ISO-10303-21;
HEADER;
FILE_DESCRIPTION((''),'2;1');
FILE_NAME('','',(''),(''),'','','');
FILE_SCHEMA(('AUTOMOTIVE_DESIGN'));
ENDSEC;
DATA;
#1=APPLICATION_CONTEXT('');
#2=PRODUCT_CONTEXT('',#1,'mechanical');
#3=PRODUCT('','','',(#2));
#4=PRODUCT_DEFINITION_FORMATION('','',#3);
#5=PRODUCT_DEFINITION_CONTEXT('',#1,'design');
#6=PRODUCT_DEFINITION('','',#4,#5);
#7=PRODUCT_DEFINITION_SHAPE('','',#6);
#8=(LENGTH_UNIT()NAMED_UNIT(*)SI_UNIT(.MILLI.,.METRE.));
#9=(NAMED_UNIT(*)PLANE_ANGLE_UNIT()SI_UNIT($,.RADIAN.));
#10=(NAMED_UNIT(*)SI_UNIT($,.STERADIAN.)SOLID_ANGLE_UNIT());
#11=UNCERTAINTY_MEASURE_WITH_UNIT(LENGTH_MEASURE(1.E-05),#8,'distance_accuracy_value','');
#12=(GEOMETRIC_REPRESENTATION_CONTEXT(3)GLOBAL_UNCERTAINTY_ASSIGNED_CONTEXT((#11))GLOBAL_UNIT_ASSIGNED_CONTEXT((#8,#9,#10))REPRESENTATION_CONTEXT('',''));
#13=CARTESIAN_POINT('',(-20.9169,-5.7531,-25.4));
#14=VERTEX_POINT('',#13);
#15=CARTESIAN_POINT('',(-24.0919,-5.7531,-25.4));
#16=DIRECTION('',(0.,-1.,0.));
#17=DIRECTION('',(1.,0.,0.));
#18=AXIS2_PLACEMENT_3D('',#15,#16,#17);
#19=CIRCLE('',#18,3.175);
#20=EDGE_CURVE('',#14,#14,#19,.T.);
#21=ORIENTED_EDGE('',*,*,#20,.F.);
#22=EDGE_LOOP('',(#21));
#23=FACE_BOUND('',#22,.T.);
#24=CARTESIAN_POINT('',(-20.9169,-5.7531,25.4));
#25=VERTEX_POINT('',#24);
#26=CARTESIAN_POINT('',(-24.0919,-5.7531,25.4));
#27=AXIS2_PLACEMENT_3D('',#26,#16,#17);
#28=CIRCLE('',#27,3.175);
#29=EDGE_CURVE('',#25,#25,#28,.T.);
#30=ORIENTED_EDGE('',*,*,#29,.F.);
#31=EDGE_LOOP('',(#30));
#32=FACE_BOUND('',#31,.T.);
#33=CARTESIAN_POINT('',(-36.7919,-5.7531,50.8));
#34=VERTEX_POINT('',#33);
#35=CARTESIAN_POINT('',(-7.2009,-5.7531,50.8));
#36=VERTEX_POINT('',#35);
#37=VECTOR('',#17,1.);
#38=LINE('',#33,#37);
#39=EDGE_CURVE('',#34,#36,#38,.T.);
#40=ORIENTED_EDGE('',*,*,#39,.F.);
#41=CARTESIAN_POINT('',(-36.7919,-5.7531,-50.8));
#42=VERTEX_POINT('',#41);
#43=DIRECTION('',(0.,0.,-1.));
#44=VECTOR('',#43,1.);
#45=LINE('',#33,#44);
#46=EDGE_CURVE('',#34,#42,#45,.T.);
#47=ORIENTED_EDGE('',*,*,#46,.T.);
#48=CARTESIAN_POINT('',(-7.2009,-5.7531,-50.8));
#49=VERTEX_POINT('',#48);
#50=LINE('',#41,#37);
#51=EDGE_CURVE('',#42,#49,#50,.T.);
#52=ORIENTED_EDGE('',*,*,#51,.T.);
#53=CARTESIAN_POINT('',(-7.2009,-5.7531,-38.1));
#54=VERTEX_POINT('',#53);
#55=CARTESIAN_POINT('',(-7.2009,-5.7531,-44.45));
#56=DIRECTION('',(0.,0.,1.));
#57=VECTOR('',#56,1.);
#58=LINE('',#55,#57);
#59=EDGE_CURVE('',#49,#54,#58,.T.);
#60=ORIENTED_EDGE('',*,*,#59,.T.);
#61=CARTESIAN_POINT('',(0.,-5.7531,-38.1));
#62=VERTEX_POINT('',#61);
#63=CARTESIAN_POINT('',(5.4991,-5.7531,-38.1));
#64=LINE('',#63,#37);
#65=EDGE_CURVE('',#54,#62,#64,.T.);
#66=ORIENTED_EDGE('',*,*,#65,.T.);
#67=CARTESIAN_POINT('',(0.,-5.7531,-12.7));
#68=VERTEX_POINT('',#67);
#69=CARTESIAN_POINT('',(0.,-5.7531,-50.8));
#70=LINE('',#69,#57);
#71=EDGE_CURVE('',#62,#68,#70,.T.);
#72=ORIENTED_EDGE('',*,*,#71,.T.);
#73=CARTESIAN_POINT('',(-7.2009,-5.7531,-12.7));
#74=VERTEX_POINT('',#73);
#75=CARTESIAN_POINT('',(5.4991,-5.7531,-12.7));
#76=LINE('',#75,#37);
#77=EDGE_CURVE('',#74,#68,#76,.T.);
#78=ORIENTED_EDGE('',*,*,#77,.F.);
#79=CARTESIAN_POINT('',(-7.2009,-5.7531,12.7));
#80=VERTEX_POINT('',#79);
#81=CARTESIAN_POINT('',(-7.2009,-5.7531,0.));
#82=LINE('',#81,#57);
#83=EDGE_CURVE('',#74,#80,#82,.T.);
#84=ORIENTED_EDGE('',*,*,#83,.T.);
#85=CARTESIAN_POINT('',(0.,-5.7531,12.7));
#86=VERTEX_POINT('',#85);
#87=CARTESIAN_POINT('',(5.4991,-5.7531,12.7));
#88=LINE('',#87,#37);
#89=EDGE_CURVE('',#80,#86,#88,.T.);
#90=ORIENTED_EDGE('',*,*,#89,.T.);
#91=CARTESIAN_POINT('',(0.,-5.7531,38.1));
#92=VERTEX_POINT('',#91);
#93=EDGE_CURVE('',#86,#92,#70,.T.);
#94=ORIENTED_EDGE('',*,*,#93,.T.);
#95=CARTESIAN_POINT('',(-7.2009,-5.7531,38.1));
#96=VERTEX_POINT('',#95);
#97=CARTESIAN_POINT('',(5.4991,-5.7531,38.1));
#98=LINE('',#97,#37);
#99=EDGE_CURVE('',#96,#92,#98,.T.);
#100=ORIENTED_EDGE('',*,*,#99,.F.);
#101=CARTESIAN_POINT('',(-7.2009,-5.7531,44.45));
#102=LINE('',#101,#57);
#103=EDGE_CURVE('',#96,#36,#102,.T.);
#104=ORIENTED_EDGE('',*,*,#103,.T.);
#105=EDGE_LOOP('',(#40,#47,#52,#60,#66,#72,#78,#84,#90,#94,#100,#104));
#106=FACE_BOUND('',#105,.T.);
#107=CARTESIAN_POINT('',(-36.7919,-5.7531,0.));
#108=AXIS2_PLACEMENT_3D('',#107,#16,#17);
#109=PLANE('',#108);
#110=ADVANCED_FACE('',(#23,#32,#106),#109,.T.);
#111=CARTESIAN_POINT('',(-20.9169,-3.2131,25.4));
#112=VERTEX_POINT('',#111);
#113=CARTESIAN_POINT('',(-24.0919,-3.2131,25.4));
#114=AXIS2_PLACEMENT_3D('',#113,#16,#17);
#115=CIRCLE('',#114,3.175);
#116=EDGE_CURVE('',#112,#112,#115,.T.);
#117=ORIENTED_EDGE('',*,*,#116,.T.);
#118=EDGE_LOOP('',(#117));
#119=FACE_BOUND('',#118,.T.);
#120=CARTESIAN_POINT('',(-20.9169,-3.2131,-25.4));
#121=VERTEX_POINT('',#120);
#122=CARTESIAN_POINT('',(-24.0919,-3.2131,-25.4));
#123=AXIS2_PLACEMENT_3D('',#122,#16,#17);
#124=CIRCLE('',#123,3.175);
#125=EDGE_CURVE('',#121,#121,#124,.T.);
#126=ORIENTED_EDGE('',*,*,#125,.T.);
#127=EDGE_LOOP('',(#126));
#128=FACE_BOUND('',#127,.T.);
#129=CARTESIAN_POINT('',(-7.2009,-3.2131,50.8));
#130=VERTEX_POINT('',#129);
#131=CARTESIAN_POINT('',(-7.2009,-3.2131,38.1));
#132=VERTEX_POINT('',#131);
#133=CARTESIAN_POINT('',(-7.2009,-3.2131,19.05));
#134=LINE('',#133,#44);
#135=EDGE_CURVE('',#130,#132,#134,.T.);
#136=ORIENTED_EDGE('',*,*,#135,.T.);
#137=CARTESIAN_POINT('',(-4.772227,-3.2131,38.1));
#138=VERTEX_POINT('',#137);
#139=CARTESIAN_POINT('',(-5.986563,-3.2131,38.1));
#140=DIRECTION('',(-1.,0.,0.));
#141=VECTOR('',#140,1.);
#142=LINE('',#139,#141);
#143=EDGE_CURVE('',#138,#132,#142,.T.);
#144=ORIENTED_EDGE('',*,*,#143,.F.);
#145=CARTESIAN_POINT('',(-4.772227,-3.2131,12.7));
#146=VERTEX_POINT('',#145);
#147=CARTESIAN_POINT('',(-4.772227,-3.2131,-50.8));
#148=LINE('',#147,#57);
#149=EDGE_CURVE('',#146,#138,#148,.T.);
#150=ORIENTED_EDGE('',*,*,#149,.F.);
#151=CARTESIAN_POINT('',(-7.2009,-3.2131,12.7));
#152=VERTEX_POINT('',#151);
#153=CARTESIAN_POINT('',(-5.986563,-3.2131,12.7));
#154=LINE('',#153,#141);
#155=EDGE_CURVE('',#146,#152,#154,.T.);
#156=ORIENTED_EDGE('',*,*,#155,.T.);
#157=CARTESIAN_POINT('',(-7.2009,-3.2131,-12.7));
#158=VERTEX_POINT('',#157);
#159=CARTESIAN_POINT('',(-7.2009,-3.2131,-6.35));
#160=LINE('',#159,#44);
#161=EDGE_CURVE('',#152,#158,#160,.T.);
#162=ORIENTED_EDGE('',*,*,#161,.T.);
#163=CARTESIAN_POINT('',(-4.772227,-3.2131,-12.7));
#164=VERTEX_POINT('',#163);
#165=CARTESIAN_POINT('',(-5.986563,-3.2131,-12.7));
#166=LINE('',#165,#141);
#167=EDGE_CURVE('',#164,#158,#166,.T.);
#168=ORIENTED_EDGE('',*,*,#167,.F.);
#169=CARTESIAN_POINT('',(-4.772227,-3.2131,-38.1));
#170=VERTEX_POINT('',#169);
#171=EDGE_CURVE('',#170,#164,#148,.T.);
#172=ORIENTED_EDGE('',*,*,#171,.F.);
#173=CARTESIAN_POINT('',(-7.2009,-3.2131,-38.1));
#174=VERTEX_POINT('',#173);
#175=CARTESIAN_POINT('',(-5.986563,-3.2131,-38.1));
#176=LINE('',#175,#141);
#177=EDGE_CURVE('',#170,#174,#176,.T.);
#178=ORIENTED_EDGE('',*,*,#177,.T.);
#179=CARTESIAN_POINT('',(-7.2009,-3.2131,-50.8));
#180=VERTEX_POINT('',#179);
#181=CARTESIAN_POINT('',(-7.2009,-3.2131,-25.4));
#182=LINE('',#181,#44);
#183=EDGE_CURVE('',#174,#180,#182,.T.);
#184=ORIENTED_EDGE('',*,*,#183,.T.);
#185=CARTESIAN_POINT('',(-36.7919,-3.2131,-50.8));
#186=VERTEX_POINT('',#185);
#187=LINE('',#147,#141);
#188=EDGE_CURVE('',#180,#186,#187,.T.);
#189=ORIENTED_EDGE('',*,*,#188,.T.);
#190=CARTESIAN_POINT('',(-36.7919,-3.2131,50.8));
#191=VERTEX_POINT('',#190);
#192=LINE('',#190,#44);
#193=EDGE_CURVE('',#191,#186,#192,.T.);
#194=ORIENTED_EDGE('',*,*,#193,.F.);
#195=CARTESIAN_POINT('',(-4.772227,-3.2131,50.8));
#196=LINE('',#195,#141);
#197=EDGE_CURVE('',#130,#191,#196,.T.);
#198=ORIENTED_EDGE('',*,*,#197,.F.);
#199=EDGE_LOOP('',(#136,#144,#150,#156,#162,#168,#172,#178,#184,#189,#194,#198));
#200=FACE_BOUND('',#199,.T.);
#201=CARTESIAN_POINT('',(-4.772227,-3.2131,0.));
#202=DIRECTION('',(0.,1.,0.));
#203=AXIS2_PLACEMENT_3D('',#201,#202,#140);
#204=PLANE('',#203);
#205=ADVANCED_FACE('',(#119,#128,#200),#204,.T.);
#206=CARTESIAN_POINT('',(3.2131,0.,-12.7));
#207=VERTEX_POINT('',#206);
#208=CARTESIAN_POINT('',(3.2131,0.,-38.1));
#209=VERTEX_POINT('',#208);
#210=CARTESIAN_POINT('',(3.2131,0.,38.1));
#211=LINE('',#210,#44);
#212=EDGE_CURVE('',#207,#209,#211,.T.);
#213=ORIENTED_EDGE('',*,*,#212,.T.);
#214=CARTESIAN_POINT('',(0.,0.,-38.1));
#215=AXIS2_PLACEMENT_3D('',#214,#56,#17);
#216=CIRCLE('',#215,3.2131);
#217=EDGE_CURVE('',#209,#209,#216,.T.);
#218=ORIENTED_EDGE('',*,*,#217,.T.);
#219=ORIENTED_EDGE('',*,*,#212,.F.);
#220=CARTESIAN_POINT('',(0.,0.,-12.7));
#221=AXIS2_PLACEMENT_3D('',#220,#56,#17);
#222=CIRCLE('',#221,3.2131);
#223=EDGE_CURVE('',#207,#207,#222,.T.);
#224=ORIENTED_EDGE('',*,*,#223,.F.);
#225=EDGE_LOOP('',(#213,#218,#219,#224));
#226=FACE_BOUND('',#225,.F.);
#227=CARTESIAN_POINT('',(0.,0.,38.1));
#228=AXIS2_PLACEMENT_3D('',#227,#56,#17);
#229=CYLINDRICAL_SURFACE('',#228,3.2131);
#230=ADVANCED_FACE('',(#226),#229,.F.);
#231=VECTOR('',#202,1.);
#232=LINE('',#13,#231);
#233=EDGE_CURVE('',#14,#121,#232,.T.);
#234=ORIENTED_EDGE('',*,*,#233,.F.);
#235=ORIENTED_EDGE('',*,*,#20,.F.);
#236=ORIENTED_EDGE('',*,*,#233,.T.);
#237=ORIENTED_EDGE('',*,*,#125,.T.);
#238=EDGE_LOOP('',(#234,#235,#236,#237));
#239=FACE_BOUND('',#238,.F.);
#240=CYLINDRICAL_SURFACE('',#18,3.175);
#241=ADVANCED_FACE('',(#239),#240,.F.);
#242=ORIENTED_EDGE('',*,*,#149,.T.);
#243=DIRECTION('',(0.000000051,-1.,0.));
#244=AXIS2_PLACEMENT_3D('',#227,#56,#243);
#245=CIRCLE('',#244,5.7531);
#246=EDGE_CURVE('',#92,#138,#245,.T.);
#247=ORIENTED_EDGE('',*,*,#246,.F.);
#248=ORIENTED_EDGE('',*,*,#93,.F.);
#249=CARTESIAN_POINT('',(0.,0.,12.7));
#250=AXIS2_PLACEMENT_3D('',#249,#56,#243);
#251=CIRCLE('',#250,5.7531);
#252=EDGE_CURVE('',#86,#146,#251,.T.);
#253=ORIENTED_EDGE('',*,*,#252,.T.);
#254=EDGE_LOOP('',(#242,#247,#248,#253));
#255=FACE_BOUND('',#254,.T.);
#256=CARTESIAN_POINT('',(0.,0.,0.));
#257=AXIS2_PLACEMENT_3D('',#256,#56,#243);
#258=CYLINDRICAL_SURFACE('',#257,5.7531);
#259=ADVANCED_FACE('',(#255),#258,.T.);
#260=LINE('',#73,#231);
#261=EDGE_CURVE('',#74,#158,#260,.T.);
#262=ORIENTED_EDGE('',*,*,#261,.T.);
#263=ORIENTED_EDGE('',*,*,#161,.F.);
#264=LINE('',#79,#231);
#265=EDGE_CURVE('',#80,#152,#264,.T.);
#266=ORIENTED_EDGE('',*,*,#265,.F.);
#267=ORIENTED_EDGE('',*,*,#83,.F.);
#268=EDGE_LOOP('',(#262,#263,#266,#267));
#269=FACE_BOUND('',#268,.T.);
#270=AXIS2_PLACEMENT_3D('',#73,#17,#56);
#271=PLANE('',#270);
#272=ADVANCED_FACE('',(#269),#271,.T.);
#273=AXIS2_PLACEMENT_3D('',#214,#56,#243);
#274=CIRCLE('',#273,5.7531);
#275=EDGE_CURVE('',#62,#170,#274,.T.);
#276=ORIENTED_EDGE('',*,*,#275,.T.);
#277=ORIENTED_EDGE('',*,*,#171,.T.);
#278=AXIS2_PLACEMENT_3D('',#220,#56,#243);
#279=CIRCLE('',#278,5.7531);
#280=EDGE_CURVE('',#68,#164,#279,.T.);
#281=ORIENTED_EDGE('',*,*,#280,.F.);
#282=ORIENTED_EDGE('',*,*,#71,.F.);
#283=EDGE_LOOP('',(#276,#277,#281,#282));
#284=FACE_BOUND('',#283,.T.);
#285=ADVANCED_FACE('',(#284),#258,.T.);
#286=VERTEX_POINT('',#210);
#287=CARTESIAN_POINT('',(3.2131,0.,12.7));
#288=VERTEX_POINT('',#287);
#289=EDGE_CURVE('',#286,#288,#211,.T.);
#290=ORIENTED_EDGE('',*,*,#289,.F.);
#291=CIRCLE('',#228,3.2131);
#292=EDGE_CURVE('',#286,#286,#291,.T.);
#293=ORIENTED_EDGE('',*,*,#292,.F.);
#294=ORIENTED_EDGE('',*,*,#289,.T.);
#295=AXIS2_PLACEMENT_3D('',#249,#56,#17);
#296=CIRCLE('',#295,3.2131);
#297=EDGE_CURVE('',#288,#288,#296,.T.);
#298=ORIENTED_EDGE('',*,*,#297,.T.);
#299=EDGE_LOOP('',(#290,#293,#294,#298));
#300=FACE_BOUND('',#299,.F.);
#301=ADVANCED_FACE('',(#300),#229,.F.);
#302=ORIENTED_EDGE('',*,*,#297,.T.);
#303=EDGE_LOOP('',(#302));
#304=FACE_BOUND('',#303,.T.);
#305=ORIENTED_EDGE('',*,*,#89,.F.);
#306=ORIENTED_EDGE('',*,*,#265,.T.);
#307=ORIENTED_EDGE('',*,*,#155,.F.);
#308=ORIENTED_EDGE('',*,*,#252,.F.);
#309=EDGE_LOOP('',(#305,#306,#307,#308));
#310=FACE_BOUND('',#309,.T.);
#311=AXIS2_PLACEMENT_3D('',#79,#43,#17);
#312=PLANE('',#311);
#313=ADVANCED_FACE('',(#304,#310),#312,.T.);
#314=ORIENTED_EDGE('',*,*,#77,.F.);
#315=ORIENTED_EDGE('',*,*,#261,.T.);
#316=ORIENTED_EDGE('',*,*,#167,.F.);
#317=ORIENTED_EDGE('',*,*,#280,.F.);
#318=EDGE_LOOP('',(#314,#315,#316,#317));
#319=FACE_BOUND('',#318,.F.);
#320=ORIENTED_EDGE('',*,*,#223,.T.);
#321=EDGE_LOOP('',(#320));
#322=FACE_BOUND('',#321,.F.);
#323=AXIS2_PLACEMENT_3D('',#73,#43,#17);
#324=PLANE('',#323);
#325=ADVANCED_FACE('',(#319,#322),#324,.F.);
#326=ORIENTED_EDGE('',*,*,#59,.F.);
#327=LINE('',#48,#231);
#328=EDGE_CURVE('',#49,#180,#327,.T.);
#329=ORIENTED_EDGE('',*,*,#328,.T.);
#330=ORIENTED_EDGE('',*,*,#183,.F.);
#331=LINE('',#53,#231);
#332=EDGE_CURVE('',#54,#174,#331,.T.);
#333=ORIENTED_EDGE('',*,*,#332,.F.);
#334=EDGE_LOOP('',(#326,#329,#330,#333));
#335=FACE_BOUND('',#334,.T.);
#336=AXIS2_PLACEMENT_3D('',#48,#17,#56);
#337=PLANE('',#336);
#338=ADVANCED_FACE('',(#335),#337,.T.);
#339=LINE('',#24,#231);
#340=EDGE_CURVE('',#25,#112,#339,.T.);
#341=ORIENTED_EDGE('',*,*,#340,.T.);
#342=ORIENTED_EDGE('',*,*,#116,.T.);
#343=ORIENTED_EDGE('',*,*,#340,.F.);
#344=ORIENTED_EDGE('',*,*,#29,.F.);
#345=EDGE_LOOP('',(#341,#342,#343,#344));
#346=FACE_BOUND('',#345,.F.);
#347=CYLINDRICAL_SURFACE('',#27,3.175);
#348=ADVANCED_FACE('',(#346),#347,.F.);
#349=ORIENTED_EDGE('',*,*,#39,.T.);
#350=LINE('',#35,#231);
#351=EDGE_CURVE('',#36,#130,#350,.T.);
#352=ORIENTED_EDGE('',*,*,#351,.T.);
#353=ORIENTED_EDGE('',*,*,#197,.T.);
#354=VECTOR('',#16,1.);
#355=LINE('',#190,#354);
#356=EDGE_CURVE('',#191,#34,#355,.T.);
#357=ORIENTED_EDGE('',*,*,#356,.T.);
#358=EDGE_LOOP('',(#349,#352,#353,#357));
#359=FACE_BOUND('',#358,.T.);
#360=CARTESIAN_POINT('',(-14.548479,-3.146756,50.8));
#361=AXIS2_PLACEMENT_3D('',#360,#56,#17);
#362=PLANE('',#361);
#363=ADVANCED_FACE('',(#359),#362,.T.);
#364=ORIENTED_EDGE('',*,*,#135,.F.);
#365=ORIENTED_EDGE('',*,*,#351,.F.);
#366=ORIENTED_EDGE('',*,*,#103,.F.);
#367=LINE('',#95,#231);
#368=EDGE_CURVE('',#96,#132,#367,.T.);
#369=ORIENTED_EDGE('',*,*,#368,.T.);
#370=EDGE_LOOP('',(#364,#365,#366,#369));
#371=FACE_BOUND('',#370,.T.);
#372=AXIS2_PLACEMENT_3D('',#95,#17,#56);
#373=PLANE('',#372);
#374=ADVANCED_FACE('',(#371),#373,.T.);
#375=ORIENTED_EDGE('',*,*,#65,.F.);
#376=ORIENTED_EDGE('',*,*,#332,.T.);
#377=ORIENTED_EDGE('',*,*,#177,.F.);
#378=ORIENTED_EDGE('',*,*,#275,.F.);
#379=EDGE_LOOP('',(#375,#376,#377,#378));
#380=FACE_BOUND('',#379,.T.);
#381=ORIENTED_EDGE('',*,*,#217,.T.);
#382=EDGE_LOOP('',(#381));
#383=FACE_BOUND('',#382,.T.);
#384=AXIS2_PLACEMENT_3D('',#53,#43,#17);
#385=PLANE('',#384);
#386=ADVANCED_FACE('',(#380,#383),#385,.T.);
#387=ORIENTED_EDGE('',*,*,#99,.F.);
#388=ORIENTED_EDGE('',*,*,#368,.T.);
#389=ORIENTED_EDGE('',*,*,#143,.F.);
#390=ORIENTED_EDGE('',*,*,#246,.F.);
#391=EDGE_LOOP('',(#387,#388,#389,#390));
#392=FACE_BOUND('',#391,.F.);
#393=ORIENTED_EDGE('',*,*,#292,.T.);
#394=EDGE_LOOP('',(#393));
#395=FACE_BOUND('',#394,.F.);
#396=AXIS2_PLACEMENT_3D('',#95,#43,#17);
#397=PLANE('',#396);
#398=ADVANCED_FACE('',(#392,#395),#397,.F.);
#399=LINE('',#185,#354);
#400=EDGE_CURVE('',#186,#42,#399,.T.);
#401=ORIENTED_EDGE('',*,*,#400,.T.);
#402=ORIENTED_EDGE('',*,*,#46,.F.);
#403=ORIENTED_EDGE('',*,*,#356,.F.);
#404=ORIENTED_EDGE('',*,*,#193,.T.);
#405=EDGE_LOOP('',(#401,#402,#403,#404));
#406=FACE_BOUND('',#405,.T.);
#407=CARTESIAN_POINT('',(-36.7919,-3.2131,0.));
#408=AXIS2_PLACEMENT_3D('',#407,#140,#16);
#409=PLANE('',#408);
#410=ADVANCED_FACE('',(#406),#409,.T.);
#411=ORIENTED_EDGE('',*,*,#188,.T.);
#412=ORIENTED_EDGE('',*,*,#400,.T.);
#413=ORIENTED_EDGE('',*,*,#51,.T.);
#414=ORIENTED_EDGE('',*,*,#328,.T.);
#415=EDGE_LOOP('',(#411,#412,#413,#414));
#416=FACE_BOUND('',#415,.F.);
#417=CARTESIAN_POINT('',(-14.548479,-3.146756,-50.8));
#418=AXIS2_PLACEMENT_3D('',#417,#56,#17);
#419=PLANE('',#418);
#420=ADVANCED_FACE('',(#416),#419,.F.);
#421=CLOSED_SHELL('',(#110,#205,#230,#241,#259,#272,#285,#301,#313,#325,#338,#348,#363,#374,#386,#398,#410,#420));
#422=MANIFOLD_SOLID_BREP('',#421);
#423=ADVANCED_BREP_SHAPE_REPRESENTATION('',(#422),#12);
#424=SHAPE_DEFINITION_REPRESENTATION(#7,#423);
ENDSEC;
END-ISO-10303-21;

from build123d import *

# Parameters (mm, degrees)
F1_DEPTH = 50.8
F2_W     = 25.4
F2_H     = 25.4
F2_H_2   = 12.7
F2_R     = 3.175
F3_DEPTH = 11.5072
F4_R     = 3.2131
F5_DEPTH = 88.901


with BuildPart() as f1:
    # F0 (on Top) → F1 (new body, symmetric)
    with BuildSketch(Plane.XY):
        with BuildLine():
            Line((-36.7919, -5.7531), (0, -5.7531))
            ThreePointArc((0, -5.7531), (2.703042, 5.078555), (-4.772227, -3.2131))
            Line((-4.772227, -3.2131), (-36.7919, -3.2131))
            Line((-36.7919, -3.2131), (-36.7919, -5.7531))
        make_face()
    extrude(amount=F1_DEPTH, both=True)

    # F2 (on face) → F3 (cut, through all)
    with BuildSketch(Plane.XZ.offset(5.7531)):
        with Locations((5.4991, 0)):
            Rectangle(F2_W, F2_H)
        with Locations((5.4991, 44.45)):
            Rectangle(F2_W, F2_H_2)
        with Locations((5.4991, -44.45)):
            Rectangle(F2_W, F2_H_2)
        with Locations((-24.0919, 25.4)):
            Circle(F2_R)
        with Locations((-24.0919, -25.4)):
            Circle(F2_R)
    extrude(amount=-F3_DEPTH, mode=Mode.SUBTRACT)

    # F4 (on face) → F5 (cut, through all)
    with BuildSketch(Plane.XY.offset(38.1)):
        Circle(F4_R)
    extrude(amount=-F5_DEPTH, mode=Mode.SUBTRACT)


solid = f1.part
